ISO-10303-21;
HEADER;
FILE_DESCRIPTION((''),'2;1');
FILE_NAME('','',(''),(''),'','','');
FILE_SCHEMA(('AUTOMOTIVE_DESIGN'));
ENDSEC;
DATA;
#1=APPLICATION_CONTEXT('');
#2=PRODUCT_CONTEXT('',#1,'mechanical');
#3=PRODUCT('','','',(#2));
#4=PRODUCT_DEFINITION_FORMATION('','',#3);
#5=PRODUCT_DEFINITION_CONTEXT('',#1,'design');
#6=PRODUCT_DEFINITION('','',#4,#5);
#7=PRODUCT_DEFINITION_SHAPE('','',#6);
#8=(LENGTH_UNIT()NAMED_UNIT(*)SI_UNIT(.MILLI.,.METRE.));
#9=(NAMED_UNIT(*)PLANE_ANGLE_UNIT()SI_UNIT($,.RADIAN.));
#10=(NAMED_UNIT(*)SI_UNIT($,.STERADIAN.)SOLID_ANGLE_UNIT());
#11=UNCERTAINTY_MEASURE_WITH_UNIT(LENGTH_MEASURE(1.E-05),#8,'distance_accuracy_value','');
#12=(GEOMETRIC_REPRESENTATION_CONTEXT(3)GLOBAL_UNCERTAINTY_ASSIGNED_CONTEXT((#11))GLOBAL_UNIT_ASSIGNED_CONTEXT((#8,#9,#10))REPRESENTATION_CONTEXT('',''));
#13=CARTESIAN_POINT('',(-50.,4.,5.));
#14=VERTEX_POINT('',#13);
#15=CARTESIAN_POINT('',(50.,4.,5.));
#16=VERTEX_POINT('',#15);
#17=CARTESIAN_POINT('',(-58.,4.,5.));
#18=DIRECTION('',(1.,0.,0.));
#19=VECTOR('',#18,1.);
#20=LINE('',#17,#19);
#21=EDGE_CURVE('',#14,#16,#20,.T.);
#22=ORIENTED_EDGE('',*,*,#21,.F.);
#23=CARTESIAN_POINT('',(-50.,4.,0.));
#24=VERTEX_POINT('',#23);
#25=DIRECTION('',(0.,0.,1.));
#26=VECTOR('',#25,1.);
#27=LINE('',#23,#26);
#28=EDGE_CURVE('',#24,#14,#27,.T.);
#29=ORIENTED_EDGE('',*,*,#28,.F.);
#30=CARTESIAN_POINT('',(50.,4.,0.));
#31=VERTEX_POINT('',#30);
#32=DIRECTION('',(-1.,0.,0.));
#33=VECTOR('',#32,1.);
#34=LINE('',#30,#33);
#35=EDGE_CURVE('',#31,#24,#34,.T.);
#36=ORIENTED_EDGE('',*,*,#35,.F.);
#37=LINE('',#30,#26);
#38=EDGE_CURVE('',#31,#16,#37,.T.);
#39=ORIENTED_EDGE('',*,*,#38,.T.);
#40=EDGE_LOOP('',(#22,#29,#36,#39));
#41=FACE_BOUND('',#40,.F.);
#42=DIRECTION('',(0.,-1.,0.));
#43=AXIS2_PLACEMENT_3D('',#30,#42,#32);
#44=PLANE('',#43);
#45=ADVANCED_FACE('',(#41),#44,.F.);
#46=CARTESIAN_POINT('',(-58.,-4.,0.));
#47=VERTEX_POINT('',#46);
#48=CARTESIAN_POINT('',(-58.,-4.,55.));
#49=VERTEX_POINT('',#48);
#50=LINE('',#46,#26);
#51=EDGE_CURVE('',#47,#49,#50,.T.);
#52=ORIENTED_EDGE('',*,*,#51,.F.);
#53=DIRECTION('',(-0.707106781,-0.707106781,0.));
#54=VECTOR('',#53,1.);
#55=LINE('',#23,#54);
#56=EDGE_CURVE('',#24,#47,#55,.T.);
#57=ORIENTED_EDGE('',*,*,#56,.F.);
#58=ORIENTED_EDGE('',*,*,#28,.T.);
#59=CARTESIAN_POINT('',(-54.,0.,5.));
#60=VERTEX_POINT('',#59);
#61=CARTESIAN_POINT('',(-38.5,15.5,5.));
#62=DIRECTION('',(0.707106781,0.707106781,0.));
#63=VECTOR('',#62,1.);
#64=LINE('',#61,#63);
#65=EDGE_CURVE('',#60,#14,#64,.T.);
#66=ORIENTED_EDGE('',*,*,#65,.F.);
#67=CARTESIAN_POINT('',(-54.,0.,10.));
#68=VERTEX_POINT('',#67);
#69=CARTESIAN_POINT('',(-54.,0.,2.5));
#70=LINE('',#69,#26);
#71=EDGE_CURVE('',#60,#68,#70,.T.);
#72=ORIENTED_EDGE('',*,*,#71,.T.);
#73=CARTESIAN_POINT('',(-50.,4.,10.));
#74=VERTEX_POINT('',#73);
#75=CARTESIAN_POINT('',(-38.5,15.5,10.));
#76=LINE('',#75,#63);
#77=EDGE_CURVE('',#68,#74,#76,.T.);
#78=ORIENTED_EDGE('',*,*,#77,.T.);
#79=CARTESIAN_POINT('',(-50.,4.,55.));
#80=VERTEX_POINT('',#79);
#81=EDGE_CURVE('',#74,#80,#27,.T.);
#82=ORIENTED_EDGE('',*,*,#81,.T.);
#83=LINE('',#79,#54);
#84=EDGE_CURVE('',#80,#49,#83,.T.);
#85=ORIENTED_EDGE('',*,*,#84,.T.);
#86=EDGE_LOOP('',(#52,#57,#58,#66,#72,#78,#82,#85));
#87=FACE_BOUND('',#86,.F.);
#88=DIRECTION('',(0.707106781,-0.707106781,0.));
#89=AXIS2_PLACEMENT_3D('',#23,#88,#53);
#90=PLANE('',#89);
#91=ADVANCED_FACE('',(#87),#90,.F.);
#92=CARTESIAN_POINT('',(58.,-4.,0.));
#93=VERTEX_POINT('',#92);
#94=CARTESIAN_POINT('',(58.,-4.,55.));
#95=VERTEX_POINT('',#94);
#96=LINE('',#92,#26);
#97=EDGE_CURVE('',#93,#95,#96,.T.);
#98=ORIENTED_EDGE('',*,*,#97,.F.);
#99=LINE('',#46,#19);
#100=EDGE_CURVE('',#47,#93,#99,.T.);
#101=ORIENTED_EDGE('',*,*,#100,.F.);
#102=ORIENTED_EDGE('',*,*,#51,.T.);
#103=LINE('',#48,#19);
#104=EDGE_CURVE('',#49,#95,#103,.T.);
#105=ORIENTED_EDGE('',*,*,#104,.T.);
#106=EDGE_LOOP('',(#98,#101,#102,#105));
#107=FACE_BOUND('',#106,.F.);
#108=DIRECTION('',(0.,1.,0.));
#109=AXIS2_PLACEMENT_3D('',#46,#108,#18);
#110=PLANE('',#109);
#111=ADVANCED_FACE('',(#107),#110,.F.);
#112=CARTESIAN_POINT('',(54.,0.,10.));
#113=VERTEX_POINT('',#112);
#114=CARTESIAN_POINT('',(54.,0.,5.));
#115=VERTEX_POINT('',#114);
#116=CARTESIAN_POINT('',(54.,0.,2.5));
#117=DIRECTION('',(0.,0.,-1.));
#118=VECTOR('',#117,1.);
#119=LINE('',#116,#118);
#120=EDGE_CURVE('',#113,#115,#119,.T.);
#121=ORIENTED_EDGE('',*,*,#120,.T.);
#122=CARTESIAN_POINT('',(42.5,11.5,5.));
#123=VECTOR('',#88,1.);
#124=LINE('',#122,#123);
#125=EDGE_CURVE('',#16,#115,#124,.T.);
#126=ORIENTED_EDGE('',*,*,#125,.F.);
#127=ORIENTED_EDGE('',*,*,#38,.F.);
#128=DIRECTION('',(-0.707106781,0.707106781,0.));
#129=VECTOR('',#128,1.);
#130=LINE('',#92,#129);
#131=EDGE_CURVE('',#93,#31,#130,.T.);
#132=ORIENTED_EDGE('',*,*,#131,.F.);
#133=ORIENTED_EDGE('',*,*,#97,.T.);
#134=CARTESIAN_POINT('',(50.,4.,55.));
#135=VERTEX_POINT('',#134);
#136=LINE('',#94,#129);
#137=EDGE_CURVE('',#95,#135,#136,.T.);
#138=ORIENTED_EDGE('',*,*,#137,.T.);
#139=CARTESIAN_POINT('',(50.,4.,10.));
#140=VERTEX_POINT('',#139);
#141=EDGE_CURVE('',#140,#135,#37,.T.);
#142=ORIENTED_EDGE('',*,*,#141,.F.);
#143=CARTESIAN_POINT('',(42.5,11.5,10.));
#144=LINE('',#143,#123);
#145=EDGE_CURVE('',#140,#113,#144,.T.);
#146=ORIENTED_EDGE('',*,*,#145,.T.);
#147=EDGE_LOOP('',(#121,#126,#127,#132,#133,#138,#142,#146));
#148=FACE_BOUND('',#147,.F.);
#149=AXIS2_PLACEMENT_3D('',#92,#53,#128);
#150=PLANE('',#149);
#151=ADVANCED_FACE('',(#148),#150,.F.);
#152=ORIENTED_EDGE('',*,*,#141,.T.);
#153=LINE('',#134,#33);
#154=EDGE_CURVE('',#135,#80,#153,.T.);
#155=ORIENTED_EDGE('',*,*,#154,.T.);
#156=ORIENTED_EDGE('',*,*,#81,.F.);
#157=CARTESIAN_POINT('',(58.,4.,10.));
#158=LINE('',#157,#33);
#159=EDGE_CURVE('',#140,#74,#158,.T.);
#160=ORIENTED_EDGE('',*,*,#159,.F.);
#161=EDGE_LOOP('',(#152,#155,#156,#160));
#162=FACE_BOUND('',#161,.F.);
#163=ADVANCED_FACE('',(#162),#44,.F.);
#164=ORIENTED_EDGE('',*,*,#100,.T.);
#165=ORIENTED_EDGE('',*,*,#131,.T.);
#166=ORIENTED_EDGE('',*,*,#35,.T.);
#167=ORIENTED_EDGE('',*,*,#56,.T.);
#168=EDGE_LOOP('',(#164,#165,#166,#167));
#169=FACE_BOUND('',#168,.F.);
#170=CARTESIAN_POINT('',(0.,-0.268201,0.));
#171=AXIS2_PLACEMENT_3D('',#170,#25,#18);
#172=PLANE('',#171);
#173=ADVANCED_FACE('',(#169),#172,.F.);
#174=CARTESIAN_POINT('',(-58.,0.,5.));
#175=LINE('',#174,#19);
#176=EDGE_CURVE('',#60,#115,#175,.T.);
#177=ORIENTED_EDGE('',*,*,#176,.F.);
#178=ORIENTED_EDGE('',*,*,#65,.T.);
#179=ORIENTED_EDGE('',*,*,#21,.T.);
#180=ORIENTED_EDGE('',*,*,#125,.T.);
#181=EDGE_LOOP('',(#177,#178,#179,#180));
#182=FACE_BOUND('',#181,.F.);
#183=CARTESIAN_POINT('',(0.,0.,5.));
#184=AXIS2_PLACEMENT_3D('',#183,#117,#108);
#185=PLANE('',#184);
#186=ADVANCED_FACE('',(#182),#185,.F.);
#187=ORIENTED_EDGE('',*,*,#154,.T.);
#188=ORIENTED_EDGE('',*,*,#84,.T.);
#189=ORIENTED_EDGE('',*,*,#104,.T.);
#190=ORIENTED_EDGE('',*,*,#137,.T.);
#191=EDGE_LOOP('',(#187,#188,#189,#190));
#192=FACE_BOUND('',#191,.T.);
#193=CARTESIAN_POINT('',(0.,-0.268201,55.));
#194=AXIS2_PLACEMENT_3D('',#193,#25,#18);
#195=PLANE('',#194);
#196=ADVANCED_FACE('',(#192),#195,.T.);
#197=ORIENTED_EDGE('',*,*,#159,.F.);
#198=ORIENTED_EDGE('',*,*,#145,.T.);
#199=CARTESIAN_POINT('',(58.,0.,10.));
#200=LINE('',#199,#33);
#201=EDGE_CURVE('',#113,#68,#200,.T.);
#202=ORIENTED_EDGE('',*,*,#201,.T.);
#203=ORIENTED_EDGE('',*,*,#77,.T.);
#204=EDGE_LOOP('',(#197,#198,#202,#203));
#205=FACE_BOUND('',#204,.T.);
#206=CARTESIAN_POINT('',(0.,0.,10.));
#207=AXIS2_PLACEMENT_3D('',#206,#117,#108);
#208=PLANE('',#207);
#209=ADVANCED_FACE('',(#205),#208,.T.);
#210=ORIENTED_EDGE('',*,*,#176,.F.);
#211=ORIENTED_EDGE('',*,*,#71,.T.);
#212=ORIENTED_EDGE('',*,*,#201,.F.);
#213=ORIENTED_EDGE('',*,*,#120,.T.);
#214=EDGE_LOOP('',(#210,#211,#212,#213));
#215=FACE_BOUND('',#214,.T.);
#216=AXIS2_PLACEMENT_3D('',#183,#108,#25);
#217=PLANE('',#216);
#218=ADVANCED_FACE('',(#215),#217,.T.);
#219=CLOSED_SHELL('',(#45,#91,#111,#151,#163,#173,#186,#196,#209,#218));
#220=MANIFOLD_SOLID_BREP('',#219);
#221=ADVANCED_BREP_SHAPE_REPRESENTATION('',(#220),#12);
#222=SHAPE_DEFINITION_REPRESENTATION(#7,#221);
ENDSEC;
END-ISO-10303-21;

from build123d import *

# Parameters (mm, degrees)
F1_DEPTH = 55
F2_W     = 4
F2_H     = 5
F3_DEPTH = 58


with BuildPart() as f1:
    # F0 (on Top) → F1 (new body)
    with BuildSketch(Plane.XY):
        Polygon((-50, 4), (-58, -4), (58, -4), (50, 4), align=None)
    extrude(amount=F1_DEPTH)

    # F2 (on Right) → F3 (cut, symmetric)
    with BuildSketch(Plane.YZ):
        with Locations((2, 7.5)):
            Rectangle(F2_W, F2_H)
    extrude(amount=F3_DEPTH, both=True, mode=Mode.SUBTRACT)


solid = f1.part
